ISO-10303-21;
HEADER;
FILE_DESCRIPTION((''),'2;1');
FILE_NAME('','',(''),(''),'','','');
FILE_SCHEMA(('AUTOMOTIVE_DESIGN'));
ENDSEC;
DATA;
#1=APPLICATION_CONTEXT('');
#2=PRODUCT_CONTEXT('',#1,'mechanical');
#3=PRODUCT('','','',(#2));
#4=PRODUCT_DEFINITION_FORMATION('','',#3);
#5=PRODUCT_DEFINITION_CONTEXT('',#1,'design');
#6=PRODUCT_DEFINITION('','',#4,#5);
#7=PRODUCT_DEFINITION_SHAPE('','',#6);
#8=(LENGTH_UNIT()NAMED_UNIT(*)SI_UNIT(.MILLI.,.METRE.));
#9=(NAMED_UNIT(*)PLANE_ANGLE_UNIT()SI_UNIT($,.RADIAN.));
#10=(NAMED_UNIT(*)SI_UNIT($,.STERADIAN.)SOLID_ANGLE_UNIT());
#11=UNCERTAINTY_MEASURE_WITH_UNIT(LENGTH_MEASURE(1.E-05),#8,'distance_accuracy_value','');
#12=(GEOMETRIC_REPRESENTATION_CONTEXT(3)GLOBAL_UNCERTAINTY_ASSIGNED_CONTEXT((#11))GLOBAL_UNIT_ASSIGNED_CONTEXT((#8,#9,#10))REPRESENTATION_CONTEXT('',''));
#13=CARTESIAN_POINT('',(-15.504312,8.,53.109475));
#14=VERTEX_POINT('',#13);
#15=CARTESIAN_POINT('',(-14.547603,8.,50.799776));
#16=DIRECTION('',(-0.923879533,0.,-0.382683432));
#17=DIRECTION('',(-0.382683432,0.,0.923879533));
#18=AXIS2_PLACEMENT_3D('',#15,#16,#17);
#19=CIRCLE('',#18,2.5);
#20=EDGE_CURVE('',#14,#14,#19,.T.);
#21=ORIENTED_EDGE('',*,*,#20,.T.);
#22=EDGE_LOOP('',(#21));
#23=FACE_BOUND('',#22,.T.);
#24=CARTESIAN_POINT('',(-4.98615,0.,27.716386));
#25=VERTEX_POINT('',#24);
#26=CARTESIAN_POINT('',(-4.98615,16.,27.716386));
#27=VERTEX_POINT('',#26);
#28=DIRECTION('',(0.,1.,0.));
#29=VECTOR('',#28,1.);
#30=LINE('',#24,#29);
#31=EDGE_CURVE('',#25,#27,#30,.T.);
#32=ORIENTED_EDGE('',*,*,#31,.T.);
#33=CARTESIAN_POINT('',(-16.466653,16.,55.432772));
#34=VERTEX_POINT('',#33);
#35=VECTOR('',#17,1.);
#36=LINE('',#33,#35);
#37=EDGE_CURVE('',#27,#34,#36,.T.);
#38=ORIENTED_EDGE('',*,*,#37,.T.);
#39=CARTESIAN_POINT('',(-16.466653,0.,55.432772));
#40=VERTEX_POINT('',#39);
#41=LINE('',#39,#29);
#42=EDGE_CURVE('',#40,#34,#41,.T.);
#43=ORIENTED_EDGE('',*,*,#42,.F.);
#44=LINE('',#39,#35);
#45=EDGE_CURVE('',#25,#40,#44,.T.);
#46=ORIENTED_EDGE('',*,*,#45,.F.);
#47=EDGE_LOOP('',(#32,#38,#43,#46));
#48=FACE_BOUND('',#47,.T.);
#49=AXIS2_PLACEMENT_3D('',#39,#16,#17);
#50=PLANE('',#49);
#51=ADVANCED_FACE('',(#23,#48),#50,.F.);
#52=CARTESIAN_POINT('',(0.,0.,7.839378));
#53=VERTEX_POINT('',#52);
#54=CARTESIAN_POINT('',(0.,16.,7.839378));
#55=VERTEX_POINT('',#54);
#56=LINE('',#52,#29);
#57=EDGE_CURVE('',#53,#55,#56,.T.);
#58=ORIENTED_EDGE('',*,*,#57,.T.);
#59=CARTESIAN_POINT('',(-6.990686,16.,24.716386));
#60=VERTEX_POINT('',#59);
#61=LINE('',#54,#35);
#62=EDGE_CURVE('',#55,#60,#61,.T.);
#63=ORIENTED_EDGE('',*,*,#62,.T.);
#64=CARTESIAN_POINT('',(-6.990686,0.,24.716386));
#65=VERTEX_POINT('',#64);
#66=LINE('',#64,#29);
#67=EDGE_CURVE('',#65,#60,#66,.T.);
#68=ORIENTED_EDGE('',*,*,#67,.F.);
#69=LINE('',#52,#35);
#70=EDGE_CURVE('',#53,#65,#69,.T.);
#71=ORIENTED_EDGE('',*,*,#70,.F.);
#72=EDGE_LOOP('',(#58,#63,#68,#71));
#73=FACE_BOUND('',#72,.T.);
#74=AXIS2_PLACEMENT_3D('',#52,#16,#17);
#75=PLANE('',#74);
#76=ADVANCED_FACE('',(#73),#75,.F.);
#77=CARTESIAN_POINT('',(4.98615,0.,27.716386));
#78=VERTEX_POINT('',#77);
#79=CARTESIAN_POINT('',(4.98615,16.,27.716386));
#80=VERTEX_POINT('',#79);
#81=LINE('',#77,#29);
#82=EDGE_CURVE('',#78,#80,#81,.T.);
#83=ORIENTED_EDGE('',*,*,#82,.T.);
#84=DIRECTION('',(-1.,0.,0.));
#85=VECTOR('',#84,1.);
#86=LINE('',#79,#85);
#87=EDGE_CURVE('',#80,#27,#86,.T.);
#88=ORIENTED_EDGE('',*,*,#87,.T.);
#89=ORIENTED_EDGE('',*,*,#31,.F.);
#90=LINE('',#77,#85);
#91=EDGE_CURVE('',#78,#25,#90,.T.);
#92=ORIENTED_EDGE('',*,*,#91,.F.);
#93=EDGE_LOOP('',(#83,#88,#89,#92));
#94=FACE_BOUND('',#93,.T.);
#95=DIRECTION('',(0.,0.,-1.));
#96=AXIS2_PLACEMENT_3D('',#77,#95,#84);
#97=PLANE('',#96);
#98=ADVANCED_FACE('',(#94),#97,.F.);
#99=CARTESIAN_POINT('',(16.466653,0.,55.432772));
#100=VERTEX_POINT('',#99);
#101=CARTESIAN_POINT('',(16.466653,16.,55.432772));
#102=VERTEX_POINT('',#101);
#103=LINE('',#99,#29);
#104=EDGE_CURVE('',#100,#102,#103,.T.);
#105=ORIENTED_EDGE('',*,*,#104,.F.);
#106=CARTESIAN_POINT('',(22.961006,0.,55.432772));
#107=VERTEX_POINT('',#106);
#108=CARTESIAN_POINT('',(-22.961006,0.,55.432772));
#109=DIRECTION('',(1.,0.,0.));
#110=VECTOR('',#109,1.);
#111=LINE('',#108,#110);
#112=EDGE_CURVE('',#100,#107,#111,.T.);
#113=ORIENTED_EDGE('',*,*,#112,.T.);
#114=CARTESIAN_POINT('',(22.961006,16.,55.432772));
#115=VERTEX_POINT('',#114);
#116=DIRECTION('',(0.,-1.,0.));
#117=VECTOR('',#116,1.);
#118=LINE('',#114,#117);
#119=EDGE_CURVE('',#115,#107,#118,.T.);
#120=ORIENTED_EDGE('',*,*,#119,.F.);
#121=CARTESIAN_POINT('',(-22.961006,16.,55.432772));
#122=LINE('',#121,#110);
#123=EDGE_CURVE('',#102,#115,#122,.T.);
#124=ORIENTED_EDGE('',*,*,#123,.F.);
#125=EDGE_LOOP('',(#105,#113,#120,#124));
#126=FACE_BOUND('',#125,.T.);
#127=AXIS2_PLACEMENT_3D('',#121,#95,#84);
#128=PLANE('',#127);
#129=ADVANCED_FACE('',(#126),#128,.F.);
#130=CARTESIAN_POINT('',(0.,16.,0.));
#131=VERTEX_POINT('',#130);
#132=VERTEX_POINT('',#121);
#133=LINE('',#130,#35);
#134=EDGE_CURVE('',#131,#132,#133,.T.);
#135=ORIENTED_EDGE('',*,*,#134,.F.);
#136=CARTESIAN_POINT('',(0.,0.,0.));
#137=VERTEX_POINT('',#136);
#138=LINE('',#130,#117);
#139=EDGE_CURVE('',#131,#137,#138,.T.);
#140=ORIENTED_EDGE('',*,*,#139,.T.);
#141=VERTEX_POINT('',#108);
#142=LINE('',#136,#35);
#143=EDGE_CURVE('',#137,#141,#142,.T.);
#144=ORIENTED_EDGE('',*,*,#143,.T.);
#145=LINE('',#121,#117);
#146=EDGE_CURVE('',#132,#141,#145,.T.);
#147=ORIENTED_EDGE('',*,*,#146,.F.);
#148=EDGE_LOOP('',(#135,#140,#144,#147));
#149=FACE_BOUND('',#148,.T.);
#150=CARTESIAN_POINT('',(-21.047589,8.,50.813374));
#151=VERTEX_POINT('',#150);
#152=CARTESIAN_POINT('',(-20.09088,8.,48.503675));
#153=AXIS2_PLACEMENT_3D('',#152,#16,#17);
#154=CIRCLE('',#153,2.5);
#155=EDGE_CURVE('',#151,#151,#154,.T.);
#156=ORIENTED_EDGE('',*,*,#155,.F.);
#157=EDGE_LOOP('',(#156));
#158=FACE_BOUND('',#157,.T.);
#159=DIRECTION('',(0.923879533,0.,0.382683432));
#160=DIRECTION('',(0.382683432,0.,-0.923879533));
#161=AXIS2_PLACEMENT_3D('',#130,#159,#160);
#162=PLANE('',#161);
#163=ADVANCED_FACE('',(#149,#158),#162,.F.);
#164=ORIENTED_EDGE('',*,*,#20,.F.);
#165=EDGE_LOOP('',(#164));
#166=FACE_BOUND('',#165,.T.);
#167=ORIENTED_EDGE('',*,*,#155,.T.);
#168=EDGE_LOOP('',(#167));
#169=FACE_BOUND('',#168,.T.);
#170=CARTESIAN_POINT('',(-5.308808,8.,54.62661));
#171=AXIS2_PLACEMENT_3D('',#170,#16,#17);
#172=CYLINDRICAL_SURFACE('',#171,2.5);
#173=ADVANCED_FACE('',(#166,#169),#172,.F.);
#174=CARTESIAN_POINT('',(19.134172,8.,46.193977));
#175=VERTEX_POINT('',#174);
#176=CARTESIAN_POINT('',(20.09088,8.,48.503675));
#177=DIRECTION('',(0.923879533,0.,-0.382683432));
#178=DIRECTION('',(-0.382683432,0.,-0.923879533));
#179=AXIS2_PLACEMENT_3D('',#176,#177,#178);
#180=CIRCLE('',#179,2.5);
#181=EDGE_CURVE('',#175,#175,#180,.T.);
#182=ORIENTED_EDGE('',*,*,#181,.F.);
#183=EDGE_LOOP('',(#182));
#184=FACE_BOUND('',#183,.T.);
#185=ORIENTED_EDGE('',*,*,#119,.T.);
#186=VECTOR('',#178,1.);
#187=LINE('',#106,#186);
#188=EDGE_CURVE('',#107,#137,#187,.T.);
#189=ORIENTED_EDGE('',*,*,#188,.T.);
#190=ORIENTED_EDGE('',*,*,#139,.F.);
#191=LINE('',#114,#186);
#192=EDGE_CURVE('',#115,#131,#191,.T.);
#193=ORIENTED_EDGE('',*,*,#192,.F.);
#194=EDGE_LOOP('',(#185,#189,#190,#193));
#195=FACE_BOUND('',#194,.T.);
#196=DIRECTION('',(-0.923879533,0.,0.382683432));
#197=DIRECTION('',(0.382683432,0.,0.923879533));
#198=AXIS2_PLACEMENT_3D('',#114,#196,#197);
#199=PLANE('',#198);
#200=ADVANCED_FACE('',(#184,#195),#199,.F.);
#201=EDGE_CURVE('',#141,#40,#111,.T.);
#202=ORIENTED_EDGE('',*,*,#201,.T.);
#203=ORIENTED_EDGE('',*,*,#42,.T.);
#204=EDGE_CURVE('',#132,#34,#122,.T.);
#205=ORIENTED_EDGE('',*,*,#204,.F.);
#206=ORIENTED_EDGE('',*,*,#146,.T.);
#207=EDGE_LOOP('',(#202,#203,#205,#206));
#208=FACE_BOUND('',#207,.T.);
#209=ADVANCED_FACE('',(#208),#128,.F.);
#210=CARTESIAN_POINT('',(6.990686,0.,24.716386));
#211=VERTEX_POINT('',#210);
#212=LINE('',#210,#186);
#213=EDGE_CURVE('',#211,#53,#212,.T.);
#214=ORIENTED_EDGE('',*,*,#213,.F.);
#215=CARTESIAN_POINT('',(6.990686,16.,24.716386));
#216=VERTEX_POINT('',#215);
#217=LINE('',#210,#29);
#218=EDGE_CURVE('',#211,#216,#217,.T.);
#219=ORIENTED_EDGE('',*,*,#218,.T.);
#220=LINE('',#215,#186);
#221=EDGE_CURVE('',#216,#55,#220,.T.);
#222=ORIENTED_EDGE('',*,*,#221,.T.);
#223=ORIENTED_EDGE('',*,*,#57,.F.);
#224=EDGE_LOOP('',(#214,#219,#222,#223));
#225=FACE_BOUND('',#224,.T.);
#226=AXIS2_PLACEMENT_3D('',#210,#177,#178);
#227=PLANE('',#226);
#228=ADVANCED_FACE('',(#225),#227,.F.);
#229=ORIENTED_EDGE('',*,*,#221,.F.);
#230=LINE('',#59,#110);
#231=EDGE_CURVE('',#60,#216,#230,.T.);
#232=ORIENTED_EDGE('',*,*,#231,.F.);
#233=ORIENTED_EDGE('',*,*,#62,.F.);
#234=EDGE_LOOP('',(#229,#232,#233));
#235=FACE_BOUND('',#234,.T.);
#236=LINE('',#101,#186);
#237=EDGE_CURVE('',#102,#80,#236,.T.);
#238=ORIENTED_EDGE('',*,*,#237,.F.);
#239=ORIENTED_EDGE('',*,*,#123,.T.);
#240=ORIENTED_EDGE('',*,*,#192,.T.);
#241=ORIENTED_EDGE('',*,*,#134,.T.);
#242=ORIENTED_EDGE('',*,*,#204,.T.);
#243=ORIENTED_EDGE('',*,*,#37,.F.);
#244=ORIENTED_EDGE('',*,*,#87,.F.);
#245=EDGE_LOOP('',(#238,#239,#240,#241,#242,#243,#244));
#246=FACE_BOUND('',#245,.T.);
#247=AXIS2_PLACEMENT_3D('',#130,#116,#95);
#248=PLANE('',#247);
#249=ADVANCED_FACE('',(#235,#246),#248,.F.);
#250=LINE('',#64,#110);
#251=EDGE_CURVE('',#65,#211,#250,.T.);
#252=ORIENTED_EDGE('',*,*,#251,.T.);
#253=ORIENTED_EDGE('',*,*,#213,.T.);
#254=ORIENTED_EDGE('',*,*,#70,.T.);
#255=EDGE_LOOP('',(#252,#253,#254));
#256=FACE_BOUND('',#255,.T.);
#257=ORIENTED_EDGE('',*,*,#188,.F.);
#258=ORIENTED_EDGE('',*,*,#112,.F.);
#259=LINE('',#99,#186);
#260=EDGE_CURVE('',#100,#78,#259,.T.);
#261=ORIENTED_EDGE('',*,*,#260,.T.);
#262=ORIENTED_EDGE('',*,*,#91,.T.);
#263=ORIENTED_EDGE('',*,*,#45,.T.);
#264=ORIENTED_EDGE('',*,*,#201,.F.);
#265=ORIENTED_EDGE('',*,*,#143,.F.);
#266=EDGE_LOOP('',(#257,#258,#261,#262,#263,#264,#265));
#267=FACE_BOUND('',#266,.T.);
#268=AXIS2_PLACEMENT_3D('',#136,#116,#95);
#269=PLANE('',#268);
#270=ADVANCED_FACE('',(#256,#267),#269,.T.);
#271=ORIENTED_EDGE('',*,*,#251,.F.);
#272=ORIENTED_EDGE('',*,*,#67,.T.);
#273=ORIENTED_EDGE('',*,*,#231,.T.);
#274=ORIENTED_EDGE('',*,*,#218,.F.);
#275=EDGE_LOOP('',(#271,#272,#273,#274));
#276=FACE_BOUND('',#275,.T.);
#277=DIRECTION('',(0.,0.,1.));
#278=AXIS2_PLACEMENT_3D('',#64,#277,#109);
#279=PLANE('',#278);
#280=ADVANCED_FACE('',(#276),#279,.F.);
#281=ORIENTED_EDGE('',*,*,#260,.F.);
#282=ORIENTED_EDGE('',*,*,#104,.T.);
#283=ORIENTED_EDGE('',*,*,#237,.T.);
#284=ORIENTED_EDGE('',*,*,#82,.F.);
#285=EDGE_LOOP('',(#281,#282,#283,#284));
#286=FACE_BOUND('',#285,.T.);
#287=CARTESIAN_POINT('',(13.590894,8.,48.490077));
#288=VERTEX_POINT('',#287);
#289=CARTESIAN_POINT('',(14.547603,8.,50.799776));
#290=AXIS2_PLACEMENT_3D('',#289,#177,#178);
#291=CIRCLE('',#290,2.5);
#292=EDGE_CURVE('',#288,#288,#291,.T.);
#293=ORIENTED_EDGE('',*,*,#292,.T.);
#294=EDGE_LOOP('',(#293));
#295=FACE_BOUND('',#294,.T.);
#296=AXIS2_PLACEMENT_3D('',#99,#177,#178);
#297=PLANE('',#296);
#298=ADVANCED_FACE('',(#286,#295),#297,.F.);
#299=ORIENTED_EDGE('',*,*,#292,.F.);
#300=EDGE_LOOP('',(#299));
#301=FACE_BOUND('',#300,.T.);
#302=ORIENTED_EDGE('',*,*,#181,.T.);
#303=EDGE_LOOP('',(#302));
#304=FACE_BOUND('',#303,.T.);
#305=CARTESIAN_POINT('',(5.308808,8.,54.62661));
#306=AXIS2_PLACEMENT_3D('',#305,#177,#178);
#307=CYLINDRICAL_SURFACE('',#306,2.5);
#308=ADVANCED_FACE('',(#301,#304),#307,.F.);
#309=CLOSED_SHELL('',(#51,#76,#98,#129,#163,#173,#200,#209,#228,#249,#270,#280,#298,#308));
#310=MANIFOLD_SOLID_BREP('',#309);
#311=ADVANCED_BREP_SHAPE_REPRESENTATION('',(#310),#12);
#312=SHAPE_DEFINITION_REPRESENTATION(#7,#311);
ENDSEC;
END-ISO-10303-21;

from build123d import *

# Parameters (mm, degrees)
BOSS_EXTRUDE1_DEPTH = 16
CUT_EXTRUDE1_DEPTH  = 16
SKETCH3_R           = 2.5
CUT_EXTRUDE2_DEPTH  = 16
SKETCH4_R           = 2.5
CUT_EXTRUDE3_DEPTH  = 16


with BuildPart() as part:
    # Sketch1 → Boss-Extrude1 (new body)
    with BuildSketch(Plane(origin=(0, 0, 0), x_dir=(1, 0, 0), z_dir=(0, 1, 0))):
        Polygon((0, 0), (-22.961005942, -55.432771951), (22.961005942, -55.432771951), align=None)
    extrude(amount=BOSS_EXTRUDE1_DEPTH)

    # Sketch2 → Cut-Extrude1 (cut)
    with BuildSketch(Plane(origin=(0, 16, 0), x_dir=(1, 0, 0), z_dir=(0, 1, 0))):
        Polygon((-16.46665274, -55.432771951), (-4.986149769, -27.716385975), (4.986149769, -27.716385975), (16.46665274, -55.432771951), align=None)
        Polygon((-6.990685683, -24.716385975), (6.990685683, -24.716385975), (0, -7.839377789), align=None)
    extrude(amount=-CUT_EXTRUDE1_DEPTH, mode=Mode.SUBTRACT)

    # Sketch3 → Cut-Extrude2 (cut)
    with BuildSketch(Plane(origin=(0, 0, 0), x_dir=(-0.3826834323650873, 0, -0.9238795325112878), z_dir=(0.9238795325112878, 0, -0.3826834323650873))):
        with Locations((-52.5, 8)):
            Circle(SKETCH3_R)
    extrude(amount=-CUT_EXTRUDE2_DEPTH, mode=Mode.SUBTRACT)

    # Sketch4 → Cut-Extrude3 (cut)
    with BuildSketch(Plane(origin=(0, 0, 0), x_dir=(-0.3826834323650873, 0, 0.9238795325112878), z_dir=(-0.9238795325112878, 0, -0.3826834323650873))):
        with Locations((52.5, 8)):
            Circle(SKETCH4_R)
    extrude(amount=-CUT_EXTRUDE3_DEPTH, mode=Mode.SUBTRACT)


solid = part.part
